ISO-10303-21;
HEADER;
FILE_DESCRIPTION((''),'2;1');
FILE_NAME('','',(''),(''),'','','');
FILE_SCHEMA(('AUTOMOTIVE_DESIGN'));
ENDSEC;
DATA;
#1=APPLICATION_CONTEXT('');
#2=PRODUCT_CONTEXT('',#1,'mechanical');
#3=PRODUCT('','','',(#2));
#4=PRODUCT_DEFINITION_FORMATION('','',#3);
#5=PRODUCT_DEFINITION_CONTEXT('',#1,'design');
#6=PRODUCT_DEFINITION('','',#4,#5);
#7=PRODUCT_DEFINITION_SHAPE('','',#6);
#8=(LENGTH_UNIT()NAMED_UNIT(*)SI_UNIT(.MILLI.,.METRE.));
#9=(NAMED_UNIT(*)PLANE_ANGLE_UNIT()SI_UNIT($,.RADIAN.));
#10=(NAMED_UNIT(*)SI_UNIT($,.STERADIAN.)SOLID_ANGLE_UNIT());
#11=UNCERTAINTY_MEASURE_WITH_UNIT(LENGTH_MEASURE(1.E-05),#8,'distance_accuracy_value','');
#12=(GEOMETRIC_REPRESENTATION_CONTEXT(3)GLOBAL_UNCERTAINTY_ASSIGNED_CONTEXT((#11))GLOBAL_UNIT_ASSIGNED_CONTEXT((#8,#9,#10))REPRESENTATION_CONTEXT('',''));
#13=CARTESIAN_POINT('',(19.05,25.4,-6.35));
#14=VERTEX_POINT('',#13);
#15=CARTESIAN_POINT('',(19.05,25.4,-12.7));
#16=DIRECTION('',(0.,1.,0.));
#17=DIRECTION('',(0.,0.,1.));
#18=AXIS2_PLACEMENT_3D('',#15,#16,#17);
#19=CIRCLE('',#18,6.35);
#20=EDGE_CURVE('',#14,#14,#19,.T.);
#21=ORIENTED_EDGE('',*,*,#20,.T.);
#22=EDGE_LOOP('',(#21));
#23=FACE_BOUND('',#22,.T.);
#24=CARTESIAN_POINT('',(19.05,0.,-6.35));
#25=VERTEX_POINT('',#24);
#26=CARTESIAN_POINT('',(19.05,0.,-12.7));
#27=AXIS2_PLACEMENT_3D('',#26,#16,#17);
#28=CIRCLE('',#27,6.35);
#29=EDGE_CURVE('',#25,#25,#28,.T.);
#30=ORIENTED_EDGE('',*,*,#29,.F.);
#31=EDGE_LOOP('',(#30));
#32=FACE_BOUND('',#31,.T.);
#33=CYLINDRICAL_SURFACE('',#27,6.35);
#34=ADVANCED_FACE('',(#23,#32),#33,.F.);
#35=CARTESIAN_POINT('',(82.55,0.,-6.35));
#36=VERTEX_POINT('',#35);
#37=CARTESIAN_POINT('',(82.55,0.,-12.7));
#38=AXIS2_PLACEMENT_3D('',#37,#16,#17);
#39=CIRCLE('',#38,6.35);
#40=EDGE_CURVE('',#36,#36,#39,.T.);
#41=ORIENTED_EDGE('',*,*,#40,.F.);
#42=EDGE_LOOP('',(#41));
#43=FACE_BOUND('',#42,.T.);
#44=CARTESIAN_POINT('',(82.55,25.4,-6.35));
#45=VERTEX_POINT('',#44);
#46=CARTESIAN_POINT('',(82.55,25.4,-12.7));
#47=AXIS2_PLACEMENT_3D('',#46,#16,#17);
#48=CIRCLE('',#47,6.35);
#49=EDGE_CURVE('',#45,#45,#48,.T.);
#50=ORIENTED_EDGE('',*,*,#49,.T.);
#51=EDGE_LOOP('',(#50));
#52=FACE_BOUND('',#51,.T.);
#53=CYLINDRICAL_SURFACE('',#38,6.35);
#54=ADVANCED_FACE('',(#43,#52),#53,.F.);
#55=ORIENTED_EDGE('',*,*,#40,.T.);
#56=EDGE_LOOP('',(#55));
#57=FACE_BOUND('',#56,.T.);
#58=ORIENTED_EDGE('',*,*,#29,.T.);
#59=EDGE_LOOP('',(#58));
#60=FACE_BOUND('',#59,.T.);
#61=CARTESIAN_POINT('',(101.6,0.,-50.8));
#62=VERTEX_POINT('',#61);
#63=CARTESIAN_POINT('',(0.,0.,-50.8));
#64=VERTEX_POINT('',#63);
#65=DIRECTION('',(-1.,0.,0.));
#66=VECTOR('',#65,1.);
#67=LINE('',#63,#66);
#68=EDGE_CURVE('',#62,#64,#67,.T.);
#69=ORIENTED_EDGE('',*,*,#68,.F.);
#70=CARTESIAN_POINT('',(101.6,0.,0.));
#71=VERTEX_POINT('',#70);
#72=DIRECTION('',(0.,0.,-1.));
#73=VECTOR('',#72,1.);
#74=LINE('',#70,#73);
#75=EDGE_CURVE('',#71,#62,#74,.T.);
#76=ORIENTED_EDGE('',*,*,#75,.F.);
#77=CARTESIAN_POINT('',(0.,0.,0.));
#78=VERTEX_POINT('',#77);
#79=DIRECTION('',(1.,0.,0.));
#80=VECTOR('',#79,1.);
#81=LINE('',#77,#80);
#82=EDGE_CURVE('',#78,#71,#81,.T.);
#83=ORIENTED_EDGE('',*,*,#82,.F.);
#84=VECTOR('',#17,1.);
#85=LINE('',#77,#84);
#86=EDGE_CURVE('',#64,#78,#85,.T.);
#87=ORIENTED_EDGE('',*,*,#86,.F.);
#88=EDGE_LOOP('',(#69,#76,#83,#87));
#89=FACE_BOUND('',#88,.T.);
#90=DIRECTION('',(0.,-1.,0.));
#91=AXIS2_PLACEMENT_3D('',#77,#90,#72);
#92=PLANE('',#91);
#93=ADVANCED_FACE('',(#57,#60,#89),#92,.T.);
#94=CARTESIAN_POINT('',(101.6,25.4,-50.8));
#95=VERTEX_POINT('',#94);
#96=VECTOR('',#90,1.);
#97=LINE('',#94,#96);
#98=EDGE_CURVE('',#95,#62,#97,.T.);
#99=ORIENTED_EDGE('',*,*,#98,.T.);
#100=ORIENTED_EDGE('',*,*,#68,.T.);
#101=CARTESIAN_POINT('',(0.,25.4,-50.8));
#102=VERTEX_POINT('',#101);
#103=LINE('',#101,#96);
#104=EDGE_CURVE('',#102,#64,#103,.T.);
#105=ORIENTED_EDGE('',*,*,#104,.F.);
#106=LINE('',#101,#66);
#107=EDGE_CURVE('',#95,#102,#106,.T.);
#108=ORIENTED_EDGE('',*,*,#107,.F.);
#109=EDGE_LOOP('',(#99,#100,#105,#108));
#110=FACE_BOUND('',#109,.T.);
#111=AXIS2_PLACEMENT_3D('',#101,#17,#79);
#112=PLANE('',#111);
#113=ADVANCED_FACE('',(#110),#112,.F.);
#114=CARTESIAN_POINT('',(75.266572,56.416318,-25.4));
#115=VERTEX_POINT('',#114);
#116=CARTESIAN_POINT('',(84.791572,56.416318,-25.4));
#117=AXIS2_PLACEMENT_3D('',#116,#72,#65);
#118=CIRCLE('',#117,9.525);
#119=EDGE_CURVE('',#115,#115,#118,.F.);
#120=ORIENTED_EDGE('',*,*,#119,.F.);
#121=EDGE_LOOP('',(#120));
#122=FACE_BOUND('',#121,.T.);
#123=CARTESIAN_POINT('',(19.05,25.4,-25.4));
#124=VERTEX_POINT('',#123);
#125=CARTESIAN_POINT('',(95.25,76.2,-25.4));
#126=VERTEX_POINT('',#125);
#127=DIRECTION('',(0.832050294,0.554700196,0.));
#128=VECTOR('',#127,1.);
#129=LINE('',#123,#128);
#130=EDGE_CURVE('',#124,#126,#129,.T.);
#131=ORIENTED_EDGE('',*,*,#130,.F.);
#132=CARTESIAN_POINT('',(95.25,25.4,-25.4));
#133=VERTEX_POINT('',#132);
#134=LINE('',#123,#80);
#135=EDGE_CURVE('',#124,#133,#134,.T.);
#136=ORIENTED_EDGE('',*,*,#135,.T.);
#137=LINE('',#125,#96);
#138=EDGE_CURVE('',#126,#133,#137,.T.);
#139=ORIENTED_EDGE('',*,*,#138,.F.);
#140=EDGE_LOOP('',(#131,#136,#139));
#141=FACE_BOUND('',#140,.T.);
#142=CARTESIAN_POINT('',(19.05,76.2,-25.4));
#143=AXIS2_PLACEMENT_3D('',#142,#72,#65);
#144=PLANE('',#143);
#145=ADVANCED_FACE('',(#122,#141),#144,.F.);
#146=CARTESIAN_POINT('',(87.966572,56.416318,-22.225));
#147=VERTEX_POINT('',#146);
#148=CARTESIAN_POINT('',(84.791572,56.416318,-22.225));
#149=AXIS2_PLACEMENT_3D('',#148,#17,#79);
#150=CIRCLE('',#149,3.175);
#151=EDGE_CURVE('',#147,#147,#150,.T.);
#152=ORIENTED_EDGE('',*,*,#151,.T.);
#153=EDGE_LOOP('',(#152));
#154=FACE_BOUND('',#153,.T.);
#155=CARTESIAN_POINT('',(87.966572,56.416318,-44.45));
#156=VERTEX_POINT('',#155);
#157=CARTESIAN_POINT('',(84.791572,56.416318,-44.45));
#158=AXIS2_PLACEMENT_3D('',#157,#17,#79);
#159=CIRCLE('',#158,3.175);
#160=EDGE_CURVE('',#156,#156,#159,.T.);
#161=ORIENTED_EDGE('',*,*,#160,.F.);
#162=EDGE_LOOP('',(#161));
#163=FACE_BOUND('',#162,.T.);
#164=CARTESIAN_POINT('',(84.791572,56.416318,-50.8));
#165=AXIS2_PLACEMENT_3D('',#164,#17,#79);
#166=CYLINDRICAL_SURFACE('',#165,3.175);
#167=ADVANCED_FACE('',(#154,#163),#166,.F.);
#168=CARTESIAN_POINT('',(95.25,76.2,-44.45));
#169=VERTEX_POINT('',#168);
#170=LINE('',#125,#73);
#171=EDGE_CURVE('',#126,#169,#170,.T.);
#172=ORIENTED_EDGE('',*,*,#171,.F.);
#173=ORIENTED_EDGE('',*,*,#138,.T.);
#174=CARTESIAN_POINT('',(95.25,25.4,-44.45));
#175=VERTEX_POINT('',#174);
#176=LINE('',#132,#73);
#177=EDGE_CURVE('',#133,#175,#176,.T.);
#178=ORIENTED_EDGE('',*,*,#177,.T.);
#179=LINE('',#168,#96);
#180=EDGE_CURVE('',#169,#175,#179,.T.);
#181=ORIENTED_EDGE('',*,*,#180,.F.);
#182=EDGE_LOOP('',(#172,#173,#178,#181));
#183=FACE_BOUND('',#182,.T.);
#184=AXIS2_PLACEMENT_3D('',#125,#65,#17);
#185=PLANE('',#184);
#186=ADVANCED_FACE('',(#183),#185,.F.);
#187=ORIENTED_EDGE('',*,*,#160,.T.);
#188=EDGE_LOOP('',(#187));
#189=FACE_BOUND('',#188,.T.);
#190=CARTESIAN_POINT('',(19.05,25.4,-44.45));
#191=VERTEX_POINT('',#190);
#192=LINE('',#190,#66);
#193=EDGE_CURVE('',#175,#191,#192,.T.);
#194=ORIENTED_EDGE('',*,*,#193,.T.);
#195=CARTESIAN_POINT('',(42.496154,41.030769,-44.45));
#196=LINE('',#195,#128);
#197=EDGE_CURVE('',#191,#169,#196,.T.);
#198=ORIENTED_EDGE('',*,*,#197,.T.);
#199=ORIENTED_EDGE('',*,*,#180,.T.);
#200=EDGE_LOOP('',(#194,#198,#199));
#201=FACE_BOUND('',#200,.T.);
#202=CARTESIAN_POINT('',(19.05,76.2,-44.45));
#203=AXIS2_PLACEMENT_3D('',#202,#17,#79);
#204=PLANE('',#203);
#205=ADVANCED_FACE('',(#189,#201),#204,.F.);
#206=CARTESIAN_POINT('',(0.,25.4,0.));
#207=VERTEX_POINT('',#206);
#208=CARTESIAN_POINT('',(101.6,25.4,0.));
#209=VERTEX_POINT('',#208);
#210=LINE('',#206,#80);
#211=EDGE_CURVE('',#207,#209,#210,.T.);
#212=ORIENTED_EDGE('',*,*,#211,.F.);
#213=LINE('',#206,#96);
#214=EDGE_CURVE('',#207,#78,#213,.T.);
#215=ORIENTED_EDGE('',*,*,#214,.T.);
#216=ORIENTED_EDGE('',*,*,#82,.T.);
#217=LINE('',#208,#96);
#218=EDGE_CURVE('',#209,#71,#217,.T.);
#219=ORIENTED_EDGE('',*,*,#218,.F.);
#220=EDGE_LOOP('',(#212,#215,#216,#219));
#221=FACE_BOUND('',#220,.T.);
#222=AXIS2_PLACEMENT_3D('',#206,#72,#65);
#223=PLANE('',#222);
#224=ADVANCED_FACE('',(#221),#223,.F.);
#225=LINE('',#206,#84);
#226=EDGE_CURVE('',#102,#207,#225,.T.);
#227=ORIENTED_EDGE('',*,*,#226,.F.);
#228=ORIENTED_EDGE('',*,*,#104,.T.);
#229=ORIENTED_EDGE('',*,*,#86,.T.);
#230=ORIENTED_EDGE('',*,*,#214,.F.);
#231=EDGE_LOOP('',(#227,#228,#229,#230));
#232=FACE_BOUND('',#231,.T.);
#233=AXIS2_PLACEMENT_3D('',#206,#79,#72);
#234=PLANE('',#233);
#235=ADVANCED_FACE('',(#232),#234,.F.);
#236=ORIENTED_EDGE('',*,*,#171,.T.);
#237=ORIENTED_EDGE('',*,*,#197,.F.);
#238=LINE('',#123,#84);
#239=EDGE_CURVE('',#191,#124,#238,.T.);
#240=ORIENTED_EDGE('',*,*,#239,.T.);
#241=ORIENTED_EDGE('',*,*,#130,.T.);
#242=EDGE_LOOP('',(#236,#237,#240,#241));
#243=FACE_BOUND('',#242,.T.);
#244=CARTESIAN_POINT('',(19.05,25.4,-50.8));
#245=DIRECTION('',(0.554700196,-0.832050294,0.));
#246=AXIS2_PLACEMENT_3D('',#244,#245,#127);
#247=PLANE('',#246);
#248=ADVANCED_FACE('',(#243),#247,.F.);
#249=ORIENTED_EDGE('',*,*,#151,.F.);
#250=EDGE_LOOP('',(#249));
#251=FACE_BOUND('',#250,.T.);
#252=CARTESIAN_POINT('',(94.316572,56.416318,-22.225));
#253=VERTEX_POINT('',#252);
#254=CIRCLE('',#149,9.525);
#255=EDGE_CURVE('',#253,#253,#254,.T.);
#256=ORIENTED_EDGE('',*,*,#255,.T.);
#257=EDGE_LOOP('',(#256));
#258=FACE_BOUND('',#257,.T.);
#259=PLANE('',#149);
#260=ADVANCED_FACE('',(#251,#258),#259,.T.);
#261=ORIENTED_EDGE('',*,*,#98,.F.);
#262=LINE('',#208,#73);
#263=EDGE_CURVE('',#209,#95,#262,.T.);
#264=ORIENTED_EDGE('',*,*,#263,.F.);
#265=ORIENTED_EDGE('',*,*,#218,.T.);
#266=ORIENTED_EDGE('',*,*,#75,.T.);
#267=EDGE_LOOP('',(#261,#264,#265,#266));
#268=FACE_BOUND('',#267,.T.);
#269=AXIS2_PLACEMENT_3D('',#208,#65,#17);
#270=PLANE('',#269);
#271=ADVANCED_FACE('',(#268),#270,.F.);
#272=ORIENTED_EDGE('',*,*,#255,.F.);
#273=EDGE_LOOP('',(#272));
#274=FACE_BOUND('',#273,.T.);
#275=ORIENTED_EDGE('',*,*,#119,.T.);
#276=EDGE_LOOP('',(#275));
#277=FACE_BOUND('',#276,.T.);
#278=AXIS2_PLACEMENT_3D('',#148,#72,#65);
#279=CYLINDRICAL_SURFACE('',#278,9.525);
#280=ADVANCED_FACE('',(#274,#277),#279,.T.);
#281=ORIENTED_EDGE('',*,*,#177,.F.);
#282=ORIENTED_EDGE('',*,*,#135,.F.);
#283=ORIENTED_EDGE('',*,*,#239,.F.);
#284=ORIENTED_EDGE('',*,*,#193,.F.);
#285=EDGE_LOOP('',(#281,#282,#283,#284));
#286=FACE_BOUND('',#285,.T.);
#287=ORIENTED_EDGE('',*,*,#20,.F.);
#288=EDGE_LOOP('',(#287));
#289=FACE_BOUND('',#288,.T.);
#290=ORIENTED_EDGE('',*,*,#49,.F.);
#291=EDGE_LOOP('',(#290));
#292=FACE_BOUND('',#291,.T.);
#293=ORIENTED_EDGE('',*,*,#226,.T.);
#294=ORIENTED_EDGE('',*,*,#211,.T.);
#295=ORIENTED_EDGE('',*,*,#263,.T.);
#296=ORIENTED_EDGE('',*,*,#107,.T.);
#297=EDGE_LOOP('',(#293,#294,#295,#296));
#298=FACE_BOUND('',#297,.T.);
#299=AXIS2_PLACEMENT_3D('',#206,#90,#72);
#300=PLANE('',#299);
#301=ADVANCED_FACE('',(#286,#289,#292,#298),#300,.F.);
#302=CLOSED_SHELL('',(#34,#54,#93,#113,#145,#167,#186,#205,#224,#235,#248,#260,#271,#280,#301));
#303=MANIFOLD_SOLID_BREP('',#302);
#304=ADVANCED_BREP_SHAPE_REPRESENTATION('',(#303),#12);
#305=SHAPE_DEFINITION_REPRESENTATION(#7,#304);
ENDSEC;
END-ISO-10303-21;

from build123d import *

# Parameters (mm, degrees)
SKETCH1_W           = 101.6
SKETCH1_H           = 50.8
BOSS_EXTRUDE1_DEPTH = 25.4
SKETCH2_W           = 76.2
SKETCH2_H           = 19.05
BOSS_EXTRUDE2_DEPTH = 50.8
CUT_EXTRUDE1_DEPTH  = 26.4
SKETCH4_R           = 3.175
CUT_EXTRUDE3_DEPTH  = 26.4
SKETCH4_3_R         = 9.525
SKETCH4_3_R_2       = 3.175
BOSS_EXTRUDE3_DEPTH = 3.175
SKETCH5_R           = 6.35
CUT_EXTRUDE4_DEPTH  = 26.4


with BuildPart() as part:
    # Sketch1 → Boss-Extrude1 (new body)
    with BuildSketch(Plane(origin=(0, 0, 0), x_dir=(1, 0, 0), z_dir=(0, 1, 0))):
        with Locations((50.8, 25.4)):
            Rectangle(SKETCH1_W, SKETCH1_H)
    extrude(amount=BOSS_EXTRUDE1_DEPTH)

    # Sketch2 → Boss-Extrude2 (add)
    with BuildSketch(Plane(origin=(0, 25.4, 0), x_dir=(1, 0, 0), z_dir=(0, 1, 0))):
        with Locations((57.15, 34.925)):
            Rectangle(SKETCH2_W, SKETCH2_H)
    extrude(amount=BOSS_EXTRUDE2_DEPTH)

    # Sketch3 → Cut-Extrude1 (cut, through all)
    with BuildSketch(Plane.XY.offset(-25.4)):
        Polygon((19.05, 76.2), (95.25, 76.2), (19.05, 25.4), align=None)
    extrude(amount=-CUT_EXTRUDE1_DEPTH, mode=Mode.SUBTRACT)

    # Sketch4 → Cut-Extrude3 (cut, through all)
    with BuildSketch(Plane.XY.offset(-25.4)):
        with Locations((84.791572172, 56.416317707)):
            Circle(SKETCH4_R)
    extrude(amount=-CUT_EXTRUDE3_DEPTH, mode=Mode.SUBTRACT)

    # Sketch4_3 → Boss-Extrude3 (add)
    with BuildSketch(Plane.XY.offset(-25.4)):
        with Locations(Location((84.791572172, 56.416317707, 0), (0, 0, 180))):  # turned: the seam where the file's is
            Circle(SKETCH4_3_R)
        with Locations((84.791572172, 56.416317707)):
            Circle(SKETCH4_3_R_2, mode=Mode.SUBTRACT)
    extrude(amount=BOSS_EXTRUDE3_DEPTH)

    # Sketch5 → Cut-Extrude4 (cut, through all)
    with BuildSketch(Plane(origin=(0, 25.4, 0), x_dir=(1, 0, 0), z_dir=(0, 1, 0))):
        with Locations(Location((19.05, 12.7, 0), (0, 0, 270))):  # turned: the seam where the file's is
            Circle(SKETCH5_R)
        with Locations(Location((82.55, 12.7, 0), (0, 0, 270))):  # turned: the seam where the file's is
            Circle(SKETCH5_R)
    extrude(amount=-CUT_EXTRUDE4_DEPTH, mode=Mode.SUBTRACT)


solid = part.part
